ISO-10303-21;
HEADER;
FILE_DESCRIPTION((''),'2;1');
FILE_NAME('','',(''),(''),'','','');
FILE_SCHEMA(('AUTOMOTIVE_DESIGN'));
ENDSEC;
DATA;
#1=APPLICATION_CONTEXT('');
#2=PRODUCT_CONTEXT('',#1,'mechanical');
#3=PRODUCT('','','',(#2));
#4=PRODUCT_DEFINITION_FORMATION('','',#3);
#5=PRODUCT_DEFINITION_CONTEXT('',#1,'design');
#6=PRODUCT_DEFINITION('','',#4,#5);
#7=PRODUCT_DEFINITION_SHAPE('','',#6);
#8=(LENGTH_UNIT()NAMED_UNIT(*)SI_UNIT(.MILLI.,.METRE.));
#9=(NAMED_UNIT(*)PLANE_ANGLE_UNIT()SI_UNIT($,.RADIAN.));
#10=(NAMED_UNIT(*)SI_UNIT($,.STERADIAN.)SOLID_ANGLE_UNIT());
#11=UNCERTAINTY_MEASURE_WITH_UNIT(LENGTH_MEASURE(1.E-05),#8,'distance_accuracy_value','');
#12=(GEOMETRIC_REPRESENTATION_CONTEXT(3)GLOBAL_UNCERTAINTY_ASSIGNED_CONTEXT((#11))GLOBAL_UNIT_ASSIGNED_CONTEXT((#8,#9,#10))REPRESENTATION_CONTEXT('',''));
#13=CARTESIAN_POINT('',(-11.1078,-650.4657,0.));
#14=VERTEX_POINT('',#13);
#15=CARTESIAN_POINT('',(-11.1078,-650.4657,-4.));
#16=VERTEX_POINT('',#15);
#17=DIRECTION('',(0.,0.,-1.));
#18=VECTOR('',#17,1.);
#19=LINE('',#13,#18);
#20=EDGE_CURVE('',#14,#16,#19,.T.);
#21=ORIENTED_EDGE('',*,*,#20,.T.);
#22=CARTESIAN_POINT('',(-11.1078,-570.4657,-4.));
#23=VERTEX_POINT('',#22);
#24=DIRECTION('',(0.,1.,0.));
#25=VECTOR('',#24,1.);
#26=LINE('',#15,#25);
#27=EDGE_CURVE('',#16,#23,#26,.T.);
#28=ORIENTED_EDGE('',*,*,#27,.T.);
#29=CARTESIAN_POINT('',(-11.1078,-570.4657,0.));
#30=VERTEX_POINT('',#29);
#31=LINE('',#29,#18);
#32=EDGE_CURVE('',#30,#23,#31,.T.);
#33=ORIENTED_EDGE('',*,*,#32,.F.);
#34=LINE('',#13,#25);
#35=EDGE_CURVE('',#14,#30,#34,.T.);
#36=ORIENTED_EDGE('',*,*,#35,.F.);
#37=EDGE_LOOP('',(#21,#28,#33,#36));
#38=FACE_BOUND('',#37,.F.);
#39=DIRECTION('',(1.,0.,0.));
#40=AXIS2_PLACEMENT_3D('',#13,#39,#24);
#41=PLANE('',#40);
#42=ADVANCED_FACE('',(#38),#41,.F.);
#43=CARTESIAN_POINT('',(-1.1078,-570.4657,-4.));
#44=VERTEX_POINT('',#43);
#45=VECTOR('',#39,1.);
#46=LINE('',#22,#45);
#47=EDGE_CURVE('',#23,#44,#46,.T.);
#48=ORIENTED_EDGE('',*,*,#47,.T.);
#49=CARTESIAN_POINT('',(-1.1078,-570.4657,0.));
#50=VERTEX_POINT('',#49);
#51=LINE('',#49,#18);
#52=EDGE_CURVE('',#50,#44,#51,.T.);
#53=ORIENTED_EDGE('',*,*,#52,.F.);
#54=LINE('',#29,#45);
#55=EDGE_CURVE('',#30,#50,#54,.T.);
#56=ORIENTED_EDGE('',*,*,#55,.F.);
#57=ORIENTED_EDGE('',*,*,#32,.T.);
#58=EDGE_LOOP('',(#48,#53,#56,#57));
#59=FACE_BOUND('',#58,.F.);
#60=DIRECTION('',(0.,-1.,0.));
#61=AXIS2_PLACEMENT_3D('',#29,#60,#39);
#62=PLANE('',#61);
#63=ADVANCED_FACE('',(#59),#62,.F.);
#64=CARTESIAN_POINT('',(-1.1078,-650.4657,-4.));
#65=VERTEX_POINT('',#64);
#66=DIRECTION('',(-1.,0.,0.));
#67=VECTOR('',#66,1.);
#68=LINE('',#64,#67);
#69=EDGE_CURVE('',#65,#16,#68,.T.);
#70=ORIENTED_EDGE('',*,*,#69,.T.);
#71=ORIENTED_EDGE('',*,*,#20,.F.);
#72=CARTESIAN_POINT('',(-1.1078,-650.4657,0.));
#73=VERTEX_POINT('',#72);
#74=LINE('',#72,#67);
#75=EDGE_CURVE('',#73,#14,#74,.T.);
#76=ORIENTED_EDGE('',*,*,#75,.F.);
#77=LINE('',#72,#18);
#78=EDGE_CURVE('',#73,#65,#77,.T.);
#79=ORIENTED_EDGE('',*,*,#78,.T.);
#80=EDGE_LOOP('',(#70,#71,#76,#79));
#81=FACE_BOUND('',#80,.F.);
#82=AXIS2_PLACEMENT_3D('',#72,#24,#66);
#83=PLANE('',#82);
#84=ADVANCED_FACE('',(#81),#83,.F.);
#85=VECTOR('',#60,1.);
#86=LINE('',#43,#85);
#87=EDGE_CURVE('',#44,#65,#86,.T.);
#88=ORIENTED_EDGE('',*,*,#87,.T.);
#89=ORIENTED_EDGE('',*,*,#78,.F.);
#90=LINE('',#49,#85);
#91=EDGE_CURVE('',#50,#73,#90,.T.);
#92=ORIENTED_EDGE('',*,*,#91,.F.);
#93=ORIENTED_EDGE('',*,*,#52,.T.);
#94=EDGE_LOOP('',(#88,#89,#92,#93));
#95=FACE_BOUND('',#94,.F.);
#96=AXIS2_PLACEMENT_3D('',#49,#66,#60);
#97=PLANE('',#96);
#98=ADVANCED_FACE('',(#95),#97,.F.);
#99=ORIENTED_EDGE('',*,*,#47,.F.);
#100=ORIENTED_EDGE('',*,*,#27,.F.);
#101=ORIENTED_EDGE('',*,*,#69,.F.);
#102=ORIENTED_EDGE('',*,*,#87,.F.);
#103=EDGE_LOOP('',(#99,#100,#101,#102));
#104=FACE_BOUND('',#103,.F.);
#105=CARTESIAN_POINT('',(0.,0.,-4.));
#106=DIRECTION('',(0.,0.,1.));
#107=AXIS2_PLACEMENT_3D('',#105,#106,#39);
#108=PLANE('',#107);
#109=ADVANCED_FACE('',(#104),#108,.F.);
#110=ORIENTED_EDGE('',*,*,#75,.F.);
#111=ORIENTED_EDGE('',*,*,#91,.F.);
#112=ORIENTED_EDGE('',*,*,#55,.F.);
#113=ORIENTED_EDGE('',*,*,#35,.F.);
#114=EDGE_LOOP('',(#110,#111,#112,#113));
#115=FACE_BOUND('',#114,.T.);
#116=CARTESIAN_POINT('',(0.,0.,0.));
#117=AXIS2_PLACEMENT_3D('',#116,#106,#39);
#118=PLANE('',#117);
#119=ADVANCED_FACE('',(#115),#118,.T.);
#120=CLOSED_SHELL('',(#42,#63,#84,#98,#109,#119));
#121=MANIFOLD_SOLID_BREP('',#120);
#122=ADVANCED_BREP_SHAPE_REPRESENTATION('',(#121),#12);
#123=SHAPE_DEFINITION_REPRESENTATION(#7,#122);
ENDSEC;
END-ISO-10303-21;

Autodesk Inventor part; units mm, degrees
ref_plane "YZ Plane" through (0, 0, 0) normal (1, 0, 0) x (0, 1, 0)
ref_plane "XZ Plane" through (0, 0, 0) normal (0, 1, 0) x (-1, 0, 0)
ref_plane "XY Plane" through (0, 0, 0) normal (0, 0, 1) x (1, 0, 0)
ref_plane "Work Plane1" through (0, 0, 0) normal (0, 0, 1) x (1, 0, 0)
sketch "Sketch1" plane through (0, 0, 0) normal (0, 0, 1) x (1, 0, 0)
  line L0 (-11.1078, -570.4657) -> (-1.1078, -570.4657)
  line L1 (-1.1078, -570.4657) -> (-1.1078, -650.4657)
  line L2 (-1.1078, -650.4657) -> (-11.1078, -650.4657)
  line L3 (-11.1078, -650.4657) -> (-11.1078, -570.4657)
  point P0 (0, 0)
  dimension "d0" = 10
  dimension "d1" = 80
extrude "Extrusion1" add sketch "Sketch1" against normal blind 4
properties part number "afstandsstykke" material "S235JR"
